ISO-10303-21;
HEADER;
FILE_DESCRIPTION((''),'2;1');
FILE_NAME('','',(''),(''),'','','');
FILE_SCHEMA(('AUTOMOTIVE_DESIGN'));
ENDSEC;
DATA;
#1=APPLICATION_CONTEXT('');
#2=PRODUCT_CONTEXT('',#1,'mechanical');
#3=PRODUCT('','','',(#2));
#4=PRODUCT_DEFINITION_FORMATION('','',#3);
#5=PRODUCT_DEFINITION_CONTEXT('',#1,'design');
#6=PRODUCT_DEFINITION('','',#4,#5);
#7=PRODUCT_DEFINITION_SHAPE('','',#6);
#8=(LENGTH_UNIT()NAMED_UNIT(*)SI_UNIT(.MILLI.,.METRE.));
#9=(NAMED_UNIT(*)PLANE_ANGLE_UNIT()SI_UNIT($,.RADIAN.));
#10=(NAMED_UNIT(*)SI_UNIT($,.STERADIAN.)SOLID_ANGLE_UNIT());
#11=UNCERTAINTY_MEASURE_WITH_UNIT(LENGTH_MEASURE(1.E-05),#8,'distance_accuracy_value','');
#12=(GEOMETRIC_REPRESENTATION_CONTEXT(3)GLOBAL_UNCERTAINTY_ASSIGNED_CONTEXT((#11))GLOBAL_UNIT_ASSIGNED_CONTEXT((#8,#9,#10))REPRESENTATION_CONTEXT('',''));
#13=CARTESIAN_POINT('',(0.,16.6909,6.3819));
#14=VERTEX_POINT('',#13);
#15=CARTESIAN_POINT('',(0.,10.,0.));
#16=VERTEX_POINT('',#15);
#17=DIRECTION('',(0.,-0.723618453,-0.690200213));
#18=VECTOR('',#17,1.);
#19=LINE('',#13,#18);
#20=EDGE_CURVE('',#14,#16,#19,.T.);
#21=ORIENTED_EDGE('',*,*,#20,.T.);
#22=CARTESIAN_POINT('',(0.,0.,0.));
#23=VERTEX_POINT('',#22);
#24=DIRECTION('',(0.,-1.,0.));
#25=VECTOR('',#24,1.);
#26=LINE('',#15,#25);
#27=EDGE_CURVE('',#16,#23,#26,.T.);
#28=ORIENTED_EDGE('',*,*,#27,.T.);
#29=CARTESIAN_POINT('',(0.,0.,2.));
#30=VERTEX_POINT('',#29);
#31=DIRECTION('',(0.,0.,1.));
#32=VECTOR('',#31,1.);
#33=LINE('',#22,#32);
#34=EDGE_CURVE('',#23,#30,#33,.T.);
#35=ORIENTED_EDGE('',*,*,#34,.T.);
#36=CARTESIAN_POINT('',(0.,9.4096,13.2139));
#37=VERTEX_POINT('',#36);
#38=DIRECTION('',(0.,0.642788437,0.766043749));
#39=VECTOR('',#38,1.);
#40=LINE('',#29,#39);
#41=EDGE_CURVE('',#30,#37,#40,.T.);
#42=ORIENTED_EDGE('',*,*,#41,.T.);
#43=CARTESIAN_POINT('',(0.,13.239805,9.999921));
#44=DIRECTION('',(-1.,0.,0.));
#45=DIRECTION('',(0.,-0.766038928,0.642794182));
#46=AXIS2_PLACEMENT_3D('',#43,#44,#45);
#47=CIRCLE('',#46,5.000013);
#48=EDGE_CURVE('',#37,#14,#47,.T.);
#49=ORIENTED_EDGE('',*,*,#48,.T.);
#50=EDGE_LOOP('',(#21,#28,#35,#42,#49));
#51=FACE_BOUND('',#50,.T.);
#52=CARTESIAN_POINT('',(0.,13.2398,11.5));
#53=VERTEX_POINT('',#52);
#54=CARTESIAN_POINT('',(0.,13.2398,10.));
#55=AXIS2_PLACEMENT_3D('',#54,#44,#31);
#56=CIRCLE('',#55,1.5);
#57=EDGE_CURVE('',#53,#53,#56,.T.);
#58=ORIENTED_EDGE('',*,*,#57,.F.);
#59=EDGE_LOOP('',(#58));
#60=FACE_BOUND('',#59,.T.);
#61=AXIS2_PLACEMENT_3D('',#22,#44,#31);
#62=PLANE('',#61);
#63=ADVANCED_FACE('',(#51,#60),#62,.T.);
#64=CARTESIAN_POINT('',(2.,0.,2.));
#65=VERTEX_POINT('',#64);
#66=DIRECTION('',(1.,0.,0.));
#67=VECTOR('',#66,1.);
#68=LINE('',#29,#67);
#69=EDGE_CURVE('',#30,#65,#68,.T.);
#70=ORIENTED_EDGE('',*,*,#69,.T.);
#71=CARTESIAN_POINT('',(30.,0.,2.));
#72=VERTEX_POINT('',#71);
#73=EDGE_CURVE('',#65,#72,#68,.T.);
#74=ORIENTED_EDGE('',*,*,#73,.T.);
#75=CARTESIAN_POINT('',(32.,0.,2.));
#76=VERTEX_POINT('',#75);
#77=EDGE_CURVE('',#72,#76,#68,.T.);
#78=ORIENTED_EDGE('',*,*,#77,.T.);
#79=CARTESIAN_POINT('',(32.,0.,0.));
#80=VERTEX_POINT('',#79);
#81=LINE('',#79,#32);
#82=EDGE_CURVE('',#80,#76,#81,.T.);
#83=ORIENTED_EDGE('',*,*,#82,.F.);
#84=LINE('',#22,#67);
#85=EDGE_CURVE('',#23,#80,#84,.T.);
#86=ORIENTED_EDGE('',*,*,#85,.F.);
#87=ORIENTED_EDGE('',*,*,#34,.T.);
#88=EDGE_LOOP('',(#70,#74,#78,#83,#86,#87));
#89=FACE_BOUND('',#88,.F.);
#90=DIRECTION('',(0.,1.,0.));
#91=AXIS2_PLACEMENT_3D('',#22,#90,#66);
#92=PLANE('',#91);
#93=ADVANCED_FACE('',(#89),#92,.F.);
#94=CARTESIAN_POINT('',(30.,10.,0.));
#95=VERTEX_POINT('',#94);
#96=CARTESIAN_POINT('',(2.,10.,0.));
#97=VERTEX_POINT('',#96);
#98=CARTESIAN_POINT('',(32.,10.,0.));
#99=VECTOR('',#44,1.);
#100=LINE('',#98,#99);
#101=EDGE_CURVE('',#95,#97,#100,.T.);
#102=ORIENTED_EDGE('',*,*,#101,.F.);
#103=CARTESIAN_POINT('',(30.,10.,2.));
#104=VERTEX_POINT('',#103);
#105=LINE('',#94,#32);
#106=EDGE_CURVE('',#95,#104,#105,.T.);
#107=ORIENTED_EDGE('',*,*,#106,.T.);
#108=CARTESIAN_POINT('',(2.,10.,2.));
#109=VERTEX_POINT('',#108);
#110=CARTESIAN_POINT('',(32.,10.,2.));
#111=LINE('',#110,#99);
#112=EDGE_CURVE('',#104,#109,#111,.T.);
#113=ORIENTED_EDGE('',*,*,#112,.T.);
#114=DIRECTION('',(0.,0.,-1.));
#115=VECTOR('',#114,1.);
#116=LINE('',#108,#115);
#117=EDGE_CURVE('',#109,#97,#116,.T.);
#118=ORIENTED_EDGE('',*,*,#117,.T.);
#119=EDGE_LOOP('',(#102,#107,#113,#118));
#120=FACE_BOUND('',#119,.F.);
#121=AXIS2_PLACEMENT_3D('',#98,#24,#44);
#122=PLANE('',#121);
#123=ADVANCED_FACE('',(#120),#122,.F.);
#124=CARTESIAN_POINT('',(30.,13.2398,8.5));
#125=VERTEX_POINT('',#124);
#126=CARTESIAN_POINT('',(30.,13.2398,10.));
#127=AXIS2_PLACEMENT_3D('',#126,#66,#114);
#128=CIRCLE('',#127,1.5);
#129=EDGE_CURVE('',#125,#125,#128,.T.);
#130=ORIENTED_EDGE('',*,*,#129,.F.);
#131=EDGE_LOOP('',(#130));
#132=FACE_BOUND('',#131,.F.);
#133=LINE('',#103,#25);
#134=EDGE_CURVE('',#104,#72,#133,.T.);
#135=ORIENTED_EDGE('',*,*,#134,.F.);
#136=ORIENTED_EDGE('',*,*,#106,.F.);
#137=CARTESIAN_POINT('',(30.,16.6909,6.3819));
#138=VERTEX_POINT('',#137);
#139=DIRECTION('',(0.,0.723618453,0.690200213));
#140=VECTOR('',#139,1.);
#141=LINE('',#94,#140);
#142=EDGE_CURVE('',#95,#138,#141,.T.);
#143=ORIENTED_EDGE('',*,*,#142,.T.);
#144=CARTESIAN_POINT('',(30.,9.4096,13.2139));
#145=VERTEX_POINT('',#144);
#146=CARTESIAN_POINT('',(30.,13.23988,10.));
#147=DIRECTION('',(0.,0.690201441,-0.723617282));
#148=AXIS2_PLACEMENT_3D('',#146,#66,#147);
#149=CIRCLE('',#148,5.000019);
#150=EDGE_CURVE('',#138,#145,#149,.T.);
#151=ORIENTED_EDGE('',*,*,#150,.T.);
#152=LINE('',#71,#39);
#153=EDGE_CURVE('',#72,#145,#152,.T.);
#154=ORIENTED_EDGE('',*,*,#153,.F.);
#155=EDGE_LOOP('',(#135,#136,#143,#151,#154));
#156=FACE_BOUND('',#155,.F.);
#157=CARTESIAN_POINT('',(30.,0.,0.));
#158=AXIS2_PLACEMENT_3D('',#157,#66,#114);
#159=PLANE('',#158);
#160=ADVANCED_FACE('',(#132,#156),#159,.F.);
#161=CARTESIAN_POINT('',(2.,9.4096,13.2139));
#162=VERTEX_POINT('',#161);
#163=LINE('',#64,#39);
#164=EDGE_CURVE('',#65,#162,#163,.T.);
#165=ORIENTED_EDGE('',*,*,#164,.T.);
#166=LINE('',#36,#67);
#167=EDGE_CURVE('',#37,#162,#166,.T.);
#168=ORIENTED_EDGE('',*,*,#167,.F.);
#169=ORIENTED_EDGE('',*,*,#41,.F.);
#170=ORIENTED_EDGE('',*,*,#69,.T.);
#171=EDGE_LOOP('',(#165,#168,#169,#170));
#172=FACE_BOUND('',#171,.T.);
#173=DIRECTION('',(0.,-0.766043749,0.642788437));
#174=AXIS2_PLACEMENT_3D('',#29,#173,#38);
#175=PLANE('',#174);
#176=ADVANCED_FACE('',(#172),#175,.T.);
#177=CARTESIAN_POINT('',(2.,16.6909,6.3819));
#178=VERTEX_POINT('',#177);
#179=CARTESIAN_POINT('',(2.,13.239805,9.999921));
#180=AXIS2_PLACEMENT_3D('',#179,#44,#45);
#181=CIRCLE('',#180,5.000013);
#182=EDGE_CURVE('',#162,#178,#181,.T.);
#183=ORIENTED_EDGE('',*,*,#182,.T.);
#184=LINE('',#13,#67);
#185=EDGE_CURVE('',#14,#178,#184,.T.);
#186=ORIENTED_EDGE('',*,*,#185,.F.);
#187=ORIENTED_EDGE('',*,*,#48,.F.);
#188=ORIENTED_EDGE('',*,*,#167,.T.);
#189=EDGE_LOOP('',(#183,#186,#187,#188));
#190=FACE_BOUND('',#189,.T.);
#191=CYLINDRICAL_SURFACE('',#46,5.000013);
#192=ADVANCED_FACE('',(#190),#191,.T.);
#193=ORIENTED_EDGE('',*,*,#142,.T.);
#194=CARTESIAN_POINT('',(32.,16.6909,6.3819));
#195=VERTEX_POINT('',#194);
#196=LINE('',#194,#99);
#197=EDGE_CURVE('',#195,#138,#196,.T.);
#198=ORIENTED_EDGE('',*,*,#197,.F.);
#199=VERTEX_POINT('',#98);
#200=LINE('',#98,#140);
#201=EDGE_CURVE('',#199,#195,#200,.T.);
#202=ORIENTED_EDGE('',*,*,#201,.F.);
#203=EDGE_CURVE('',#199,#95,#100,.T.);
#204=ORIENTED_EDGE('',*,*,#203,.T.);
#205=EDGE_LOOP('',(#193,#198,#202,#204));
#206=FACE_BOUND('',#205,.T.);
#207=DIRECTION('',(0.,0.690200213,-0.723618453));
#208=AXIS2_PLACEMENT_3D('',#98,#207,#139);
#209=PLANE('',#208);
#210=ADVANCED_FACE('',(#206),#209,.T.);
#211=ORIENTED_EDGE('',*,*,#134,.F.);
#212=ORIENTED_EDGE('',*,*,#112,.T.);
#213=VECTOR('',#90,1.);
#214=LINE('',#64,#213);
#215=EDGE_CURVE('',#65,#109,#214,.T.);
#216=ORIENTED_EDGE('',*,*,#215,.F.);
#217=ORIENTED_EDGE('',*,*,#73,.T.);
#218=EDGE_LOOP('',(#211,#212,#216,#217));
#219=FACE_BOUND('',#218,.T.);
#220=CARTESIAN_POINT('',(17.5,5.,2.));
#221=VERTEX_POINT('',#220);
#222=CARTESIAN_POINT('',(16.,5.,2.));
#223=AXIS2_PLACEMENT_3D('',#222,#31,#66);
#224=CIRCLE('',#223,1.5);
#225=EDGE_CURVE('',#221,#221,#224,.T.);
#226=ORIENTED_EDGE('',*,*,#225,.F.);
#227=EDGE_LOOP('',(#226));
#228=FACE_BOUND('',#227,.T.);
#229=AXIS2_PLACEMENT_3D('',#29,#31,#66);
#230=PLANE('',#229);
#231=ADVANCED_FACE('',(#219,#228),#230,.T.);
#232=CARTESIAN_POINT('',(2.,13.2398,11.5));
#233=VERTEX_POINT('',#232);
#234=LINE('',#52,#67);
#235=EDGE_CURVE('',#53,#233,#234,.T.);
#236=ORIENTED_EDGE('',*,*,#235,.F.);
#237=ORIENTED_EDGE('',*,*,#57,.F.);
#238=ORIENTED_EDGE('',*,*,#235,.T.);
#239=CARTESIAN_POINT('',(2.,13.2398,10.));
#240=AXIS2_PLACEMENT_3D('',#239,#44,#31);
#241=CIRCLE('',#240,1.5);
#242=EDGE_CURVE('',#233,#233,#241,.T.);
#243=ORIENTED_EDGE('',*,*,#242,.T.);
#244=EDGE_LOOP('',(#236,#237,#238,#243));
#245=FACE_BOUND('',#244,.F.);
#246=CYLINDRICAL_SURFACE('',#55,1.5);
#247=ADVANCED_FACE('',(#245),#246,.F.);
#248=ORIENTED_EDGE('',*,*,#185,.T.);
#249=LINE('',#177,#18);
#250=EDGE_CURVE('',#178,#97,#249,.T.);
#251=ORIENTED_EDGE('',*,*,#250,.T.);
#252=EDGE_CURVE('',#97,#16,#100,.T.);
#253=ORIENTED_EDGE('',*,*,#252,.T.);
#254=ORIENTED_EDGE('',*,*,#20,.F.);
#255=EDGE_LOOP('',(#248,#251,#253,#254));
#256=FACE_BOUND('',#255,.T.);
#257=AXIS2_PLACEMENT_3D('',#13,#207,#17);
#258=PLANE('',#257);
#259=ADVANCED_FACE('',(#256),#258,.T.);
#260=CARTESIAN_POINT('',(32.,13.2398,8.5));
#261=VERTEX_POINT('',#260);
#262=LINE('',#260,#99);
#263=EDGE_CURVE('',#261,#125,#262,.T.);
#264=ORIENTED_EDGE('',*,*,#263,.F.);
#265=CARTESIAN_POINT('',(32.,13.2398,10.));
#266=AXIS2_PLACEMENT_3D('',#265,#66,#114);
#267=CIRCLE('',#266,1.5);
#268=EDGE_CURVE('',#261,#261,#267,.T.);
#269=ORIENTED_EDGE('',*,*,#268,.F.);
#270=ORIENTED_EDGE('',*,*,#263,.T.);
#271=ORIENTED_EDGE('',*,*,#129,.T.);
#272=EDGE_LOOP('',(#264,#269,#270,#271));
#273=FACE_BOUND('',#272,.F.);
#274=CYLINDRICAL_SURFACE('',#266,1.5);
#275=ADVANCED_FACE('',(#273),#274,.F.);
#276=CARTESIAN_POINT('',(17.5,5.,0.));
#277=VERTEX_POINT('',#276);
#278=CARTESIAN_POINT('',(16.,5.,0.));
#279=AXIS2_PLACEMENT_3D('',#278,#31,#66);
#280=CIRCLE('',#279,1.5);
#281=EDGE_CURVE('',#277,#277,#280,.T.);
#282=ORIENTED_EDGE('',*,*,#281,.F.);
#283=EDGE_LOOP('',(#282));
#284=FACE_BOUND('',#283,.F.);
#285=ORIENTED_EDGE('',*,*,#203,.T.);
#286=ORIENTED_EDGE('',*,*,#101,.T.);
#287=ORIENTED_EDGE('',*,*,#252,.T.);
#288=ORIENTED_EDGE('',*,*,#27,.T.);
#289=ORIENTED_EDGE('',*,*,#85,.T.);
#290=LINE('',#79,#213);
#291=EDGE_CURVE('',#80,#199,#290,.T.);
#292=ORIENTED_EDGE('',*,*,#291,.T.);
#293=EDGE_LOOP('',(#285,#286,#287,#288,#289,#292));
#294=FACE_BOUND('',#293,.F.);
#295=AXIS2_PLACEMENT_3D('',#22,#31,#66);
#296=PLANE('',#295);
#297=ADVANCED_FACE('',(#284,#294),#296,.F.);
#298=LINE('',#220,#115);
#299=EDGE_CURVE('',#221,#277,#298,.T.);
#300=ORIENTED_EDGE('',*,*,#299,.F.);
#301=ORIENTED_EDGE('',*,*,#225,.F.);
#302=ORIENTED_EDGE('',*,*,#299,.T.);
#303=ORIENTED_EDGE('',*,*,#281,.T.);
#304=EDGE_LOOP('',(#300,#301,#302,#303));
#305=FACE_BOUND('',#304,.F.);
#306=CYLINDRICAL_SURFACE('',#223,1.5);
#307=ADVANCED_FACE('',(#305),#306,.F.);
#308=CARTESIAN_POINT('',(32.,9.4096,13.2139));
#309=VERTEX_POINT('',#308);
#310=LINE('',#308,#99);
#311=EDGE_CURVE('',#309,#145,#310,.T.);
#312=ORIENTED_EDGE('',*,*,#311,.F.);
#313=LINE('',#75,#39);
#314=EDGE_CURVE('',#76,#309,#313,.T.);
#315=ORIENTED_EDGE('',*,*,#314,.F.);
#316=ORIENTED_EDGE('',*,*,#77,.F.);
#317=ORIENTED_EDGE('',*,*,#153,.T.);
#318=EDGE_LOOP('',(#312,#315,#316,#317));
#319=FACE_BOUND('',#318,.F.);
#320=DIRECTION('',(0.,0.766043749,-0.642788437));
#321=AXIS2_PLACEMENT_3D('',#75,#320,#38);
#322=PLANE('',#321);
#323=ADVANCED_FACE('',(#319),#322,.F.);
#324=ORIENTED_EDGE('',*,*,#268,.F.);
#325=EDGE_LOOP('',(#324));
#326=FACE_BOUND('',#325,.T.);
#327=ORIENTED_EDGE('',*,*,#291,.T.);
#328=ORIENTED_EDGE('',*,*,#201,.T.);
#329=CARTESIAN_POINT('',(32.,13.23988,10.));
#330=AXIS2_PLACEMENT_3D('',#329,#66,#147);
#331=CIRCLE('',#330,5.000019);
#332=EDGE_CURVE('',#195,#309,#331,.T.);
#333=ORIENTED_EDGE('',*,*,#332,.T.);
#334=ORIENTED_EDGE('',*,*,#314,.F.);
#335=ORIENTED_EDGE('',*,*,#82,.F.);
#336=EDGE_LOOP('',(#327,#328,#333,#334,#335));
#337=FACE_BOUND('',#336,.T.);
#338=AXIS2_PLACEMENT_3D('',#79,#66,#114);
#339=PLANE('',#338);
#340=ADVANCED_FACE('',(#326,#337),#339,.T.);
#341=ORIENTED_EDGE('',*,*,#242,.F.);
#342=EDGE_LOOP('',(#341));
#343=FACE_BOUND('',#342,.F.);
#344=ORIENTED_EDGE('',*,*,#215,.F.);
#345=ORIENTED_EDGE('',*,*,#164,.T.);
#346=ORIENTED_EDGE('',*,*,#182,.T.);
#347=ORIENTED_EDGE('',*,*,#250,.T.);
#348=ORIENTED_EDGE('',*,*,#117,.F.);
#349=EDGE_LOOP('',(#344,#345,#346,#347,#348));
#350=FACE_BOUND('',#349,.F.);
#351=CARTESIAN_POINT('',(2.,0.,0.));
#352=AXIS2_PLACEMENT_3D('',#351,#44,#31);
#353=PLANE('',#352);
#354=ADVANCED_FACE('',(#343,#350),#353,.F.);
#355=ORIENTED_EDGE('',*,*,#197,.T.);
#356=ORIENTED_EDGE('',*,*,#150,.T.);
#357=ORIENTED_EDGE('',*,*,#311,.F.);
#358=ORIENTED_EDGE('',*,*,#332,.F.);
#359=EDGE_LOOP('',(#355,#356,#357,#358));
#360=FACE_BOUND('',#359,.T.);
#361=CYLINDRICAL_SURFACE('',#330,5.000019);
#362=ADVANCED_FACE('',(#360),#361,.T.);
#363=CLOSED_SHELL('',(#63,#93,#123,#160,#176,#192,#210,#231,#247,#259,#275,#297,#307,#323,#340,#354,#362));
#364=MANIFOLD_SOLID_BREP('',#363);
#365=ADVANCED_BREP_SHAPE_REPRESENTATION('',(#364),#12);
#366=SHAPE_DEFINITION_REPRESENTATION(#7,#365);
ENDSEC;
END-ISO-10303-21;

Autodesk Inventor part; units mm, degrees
ref_plane "YZ Plane" through (0, 0, 0) normal (1, 0, 0) x (0, 1, 0)
ref_plane "XZ Plane" through (0, 0, 0) normal (0, 1, 0) x (-1, 0, 0)
ref_plane "XY Plane" through (0, 0, 0) normal (0, 0, 1) x (1, 0, 0)
sketch "Sketch1" plane through (0, 0, 0) normal (0, 0, 1) x (1, 0, 0)
  line L0 (0, 0) -> (32, 0)
  line L1 (32, 0) -> (32, 10)
  line L2 (32, 10) -> (0, 10)
  line L3 (0, 10) -> (0, 0)
  dimension "d0" = 32
  dimension "d1" = 10
extrude "Extrusion1" add sketch "Sketch1" along normal blind 2
sketch "Sketch2" plane through (0, 0, 2) normal (0, 0, 1) x (1, 0, 0)
  line L0 (32, 10) -> (0, 10) projected
  line L1 (0, 10) -> (0, 0) projected
  circle A0 centre (16, 5) radius 1.5
  point P0 (16, 10)
  point P1 (0, 5)
  dimension "d4" = 3
extrude "Extrusion2" cut sketch "Sketch2" against normal through all
sketch "Sketch3" plane through (32, 0, 0) normal (1, 0, 0) x (0, 0, -1)
  circle A0 centre (-10, 13.2398) radius 5 construction
  line L0 (0, 0) -> (0, 10) projected
  line L1 (-2, 10) -> (-2, 0) projected
  line L2 (-2, 0) -> (-13.2139, 9.4096)
  line L3 (0, 10) -> (-6.3819, 16.6909)
  arc A1 (-6.3819, 16.6909) -> (-13.2139, 9.4096) centre (-10, 13.2398) ccw
  circle A2 centre (-10, 13.2398) radius 1.5
  line L4 (0, 10) -> (-2, 10) projected
  dimension "d7" = 10
  dimension "d8" = 10
  dimension "d9" = 50
  dimension "d10" = 3
extrude "Extrusion3" add sketch "Sketch3" against normal blind 2
sketch "Sketch4" plane through (0, 0, 0) normal (-1, 0, 0) x (0, 0, 1)
  circle A0 centre (10, 13.2398) radius 1.5 projected
  line L0 (6.3819, 16.6909) -> (0, 10) projected
  line L1 (2, 10) -> (0, 10) projected
  line L2 (2, 0) -> (2, 10) projected
  line L3 (2, 0) -> (13.2139, 9.4096) projected
  arc A1 (13.2139, 9.4096) -> (6.3819, 16.6909) centre (10, 13.2398) ccw projected
  point P0 (0, 0)
extrude "Extrusion4" add sketch "Sketch4" against normal blind 2
properties part number "Neck" material "ABS Plastic"
